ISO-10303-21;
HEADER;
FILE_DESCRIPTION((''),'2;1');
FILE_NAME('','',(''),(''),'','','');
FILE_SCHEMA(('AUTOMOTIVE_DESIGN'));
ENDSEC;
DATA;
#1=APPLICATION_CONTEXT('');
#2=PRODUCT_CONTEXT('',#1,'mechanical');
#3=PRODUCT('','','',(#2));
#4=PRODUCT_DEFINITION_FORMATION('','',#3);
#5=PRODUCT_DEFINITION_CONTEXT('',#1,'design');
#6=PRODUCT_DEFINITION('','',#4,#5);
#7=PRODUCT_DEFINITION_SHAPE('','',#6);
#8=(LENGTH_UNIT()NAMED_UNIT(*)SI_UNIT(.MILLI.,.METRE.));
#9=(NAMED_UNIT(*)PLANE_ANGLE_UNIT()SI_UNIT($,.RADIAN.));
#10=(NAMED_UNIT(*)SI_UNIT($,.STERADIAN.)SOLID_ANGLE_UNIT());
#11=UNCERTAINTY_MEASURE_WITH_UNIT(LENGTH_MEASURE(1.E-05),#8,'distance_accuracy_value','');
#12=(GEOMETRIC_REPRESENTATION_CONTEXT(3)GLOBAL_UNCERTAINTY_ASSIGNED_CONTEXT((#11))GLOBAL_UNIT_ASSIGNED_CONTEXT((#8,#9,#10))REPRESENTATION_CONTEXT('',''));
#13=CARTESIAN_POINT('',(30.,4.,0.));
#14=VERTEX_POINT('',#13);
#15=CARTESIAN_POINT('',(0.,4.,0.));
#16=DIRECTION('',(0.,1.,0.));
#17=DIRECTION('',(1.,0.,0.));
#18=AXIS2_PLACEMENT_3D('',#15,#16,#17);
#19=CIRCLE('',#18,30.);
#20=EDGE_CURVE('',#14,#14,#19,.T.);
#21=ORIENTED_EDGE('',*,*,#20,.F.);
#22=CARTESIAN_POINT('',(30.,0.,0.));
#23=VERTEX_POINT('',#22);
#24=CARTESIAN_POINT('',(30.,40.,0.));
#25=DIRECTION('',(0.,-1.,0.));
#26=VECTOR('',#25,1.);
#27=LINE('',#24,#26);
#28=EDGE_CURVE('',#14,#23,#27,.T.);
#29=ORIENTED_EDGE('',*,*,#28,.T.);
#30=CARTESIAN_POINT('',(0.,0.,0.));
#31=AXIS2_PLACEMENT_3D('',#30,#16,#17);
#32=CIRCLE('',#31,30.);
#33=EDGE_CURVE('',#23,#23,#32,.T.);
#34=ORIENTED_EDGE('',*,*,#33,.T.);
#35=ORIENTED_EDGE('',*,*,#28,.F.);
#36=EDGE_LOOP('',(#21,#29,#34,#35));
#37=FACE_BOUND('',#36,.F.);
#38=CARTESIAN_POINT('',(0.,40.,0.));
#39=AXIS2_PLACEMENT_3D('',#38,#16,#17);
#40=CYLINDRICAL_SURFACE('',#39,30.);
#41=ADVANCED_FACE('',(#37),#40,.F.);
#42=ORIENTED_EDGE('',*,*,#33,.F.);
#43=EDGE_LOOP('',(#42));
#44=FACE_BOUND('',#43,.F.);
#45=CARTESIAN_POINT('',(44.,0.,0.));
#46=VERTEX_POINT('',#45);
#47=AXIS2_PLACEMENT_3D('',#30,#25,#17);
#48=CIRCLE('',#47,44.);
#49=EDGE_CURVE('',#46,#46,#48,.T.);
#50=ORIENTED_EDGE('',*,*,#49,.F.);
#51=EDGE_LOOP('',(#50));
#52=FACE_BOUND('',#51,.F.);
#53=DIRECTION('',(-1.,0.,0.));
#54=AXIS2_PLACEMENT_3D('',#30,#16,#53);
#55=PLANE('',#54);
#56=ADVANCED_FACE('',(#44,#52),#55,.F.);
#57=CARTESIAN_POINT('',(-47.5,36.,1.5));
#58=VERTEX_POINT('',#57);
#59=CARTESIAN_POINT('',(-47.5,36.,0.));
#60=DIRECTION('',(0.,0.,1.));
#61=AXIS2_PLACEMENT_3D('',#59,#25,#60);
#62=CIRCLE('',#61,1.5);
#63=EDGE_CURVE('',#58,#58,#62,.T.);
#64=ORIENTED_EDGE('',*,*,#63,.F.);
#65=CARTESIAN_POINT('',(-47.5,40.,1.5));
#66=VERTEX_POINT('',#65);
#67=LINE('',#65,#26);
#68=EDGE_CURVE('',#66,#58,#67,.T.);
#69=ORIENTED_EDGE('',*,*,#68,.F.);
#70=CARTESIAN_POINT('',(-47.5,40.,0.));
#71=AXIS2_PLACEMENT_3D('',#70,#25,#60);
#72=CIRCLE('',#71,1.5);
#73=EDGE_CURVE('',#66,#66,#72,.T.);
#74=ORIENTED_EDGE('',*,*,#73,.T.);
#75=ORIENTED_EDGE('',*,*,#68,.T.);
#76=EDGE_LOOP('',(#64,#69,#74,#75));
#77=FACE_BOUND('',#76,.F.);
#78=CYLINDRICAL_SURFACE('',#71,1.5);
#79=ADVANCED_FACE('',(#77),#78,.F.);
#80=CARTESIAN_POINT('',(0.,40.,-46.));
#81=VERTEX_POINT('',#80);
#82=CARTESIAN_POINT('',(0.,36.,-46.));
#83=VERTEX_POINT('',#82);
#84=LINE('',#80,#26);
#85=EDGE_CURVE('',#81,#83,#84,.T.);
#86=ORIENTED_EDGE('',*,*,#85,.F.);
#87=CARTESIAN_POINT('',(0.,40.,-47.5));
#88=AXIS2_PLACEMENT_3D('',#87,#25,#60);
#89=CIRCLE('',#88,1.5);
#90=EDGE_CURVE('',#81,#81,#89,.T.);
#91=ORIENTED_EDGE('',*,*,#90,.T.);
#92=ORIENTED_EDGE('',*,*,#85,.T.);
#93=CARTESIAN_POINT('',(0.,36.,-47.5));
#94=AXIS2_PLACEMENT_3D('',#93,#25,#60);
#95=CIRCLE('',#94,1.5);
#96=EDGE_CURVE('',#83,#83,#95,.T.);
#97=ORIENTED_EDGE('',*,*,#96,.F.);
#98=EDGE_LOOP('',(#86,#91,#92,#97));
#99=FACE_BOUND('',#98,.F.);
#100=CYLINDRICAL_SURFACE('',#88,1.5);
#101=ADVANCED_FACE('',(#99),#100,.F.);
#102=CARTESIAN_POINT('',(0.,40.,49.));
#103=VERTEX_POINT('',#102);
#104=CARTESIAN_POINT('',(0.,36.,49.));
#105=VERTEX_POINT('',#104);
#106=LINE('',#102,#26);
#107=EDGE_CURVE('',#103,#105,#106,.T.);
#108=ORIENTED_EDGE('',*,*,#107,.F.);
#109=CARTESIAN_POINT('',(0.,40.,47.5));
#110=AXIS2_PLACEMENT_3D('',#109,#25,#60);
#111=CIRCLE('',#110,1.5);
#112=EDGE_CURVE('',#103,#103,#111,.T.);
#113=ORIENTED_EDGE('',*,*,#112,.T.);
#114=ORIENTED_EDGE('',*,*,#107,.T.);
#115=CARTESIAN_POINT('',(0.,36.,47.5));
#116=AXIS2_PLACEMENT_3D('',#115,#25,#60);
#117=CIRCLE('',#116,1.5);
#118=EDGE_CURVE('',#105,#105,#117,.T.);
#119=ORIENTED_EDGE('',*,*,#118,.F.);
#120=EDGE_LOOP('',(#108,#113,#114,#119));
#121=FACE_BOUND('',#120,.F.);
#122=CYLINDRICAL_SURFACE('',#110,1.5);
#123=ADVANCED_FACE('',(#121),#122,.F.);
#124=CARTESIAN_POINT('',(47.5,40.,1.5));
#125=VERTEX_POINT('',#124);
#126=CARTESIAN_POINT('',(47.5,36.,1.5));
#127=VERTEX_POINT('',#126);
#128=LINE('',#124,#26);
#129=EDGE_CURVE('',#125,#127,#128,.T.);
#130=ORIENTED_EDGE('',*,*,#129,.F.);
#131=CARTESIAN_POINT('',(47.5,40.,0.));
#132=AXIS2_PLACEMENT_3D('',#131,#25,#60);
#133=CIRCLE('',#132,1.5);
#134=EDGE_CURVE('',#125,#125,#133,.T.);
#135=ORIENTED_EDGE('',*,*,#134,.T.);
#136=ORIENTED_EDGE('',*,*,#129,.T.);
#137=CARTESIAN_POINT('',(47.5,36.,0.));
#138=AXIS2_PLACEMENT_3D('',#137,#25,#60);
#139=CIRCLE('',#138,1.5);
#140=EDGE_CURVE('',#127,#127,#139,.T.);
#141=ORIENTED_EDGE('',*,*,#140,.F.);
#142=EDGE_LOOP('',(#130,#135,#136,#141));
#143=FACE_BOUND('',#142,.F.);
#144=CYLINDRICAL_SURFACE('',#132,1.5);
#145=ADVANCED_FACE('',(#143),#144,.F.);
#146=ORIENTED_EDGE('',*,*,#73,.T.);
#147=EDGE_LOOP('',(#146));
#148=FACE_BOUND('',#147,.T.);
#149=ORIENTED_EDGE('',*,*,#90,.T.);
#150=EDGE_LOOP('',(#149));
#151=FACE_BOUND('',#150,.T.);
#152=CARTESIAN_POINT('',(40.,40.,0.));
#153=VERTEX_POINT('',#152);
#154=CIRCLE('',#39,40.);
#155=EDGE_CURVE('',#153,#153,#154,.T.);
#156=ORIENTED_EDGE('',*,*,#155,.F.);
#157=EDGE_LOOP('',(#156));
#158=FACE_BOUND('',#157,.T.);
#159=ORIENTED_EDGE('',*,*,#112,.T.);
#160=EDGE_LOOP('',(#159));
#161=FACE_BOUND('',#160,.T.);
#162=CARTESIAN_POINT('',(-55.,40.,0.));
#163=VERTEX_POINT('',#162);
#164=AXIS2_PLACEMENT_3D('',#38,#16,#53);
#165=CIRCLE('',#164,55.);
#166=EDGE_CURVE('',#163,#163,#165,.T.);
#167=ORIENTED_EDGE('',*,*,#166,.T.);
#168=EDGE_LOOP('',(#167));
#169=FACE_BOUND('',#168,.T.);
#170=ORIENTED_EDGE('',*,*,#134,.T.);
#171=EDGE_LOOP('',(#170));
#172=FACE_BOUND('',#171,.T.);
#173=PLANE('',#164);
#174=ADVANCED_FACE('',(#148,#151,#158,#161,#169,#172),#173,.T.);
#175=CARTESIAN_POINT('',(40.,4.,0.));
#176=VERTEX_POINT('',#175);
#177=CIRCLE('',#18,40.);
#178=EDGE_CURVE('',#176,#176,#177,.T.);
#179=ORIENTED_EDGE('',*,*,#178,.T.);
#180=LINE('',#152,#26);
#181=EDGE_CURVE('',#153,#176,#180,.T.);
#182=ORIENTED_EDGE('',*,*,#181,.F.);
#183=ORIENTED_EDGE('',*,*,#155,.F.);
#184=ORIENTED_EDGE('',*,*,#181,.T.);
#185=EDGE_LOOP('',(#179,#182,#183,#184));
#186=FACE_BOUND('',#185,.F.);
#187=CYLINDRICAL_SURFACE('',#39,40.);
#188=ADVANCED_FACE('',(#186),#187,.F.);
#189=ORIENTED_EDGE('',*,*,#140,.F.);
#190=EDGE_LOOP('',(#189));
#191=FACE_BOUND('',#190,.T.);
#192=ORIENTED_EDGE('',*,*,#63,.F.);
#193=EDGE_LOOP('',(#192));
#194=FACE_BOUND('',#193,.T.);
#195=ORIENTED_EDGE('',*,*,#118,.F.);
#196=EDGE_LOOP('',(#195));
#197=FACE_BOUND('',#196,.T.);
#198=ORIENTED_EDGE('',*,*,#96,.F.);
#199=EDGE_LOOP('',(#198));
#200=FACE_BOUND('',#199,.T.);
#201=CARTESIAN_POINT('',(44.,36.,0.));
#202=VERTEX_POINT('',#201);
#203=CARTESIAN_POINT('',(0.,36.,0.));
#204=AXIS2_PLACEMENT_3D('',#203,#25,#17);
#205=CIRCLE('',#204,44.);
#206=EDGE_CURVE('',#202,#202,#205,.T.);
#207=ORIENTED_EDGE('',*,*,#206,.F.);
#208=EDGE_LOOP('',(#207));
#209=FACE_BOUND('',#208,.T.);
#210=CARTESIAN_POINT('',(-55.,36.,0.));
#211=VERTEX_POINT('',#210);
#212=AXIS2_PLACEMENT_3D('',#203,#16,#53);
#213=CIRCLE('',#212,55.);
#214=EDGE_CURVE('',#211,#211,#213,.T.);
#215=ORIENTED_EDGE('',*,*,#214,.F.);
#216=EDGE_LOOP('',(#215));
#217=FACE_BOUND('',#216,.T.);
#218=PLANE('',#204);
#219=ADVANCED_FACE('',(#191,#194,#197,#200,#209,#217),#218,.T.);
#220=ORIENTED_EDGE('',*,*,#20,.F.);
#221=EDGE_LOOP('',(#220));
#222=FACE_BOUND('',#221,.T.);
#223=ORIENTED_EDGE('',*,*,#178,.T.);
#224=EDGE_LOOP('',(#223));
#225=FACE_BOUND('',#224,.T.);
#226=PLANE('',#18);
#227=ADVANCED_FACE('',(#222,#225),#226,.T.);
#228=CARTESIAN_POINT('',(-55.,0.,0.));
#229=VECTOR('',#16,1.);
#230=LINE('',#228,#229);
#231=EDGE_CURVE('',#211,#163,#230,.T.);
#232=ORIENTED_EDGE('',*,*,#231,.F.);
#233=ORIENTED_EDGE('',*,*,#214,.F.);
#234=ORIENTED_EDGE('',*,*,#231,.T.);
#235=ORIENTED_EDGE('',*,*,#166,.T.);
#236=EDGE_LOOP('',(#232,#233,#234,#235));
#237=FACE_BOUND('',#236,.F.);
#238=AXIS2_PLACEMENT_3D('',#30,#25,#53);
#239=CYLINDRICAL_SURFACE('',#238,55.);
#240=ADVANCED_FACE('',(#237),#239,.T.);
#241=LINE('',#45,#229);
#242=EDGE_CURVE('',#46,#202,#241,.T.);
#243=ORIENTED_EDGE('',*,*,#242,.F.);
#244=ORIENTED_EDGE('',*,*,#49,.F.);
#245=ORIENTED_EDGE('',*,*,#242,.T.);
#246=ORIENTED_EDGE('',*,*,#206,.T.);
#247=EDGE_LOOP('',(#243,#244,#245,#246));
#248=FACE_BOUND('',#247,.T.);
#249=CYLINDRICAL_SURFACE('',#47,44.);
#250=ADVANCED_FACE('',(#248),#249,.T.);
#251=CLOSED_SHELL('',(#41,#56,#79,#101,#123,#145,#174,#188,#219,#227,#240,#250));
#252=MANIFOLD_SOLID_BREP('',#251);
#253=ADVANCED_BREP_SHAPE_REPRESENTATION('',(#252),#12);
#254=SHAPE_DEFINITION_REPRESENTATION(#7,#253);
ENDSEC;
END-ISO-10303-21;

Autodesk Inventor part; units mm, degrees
ref_plane "YZ Plane" through (0, 0, 0) normal (1, 0, 0) x (0, 1, 0)
ref_plane "XZ Plane" through (0, 0, 0) normal (0, 1, 0) x (-1, 0, 0)
ref_plane "XY Plane" through (0, 0, 0) normal (0, 0, 1) x (1, 0, 0)
sketch "Sketch1" plane through (0, 0, 0) normal (0, 1, 0) x (-1, 0, 0)
  circle A0 centre (0, 0) radius 55
  dimension "d0" = 110
extrude "Extrusion1" add sketch "Sketch1" along normal blind 40
sketch "Sketch2" plane through (0, 0, 0) normal (0, -1, 0) x (1, 0, 0)
  circle A0 centre (0, 0) radius 44
  circle A1 centre (0, 0) radius 55 projected
  dimension "d3" = 88
extrude "Extrusion2" cut sketch "Sketch2" against normal blind 36
sketch "Sketch3" plane through (0, 40, 0) normal (0, 1, 0) x (1, 0, 0)
  circle A0 centre (0, 0) radius 30
  dimension "d6" = 60
extrude "Extrusion3" cut sketch "Sketch3" against normal through all
sketch "Sketch4" plane through (0, 40, 0) normal (0, 1, 0) x (1, 0, 0)
  circle A0 centre (0, 0) radius 40
  dimension "d9" = 80
extrude "Extrusion4" cut sketch "Sketch4" against normal blind 36
sketch "Sketch5" plane through (0, 40, 0) normal (0, 1, 0) x (1, 0, 0)
  circle A0 centre (0, 0) radius 47.5
  circle A1 centre (0, 47.5) radius 2
  circle A2 centre (-47.5, 0) radius 2
  circle A3 centre (0, -47.5) radius 2
  circle A4 centre (47.5, 0) radius 2
  dimension "d12" = 95
  dimension "d13" = 4
  dimension "d16" = 360
hole "Hole1" at (-47.5, 40, 0) at (0, 40, 47.5) at (47.5, 40, 0) at (0, 40, -47.5) direction (0, -1, 0) diameter 3 end through all
thread "Thread1" size "M3x0.5" class "6H" standard "ANSI Metric M Profile" full length
thread "Thread2" size "M3x0.5" class "6H" standard "ANSI Metric M Profile" full length
thread "Thread3" size "M3x0.5" class "6H" standard "ANSI Metric M Profile" full length
thread "Thread4" size "M3x0.5" class "6H" standard "ANSI Metric M Profile" full length
properties part number "sensor1_lock" material "Aluminum 6061"
